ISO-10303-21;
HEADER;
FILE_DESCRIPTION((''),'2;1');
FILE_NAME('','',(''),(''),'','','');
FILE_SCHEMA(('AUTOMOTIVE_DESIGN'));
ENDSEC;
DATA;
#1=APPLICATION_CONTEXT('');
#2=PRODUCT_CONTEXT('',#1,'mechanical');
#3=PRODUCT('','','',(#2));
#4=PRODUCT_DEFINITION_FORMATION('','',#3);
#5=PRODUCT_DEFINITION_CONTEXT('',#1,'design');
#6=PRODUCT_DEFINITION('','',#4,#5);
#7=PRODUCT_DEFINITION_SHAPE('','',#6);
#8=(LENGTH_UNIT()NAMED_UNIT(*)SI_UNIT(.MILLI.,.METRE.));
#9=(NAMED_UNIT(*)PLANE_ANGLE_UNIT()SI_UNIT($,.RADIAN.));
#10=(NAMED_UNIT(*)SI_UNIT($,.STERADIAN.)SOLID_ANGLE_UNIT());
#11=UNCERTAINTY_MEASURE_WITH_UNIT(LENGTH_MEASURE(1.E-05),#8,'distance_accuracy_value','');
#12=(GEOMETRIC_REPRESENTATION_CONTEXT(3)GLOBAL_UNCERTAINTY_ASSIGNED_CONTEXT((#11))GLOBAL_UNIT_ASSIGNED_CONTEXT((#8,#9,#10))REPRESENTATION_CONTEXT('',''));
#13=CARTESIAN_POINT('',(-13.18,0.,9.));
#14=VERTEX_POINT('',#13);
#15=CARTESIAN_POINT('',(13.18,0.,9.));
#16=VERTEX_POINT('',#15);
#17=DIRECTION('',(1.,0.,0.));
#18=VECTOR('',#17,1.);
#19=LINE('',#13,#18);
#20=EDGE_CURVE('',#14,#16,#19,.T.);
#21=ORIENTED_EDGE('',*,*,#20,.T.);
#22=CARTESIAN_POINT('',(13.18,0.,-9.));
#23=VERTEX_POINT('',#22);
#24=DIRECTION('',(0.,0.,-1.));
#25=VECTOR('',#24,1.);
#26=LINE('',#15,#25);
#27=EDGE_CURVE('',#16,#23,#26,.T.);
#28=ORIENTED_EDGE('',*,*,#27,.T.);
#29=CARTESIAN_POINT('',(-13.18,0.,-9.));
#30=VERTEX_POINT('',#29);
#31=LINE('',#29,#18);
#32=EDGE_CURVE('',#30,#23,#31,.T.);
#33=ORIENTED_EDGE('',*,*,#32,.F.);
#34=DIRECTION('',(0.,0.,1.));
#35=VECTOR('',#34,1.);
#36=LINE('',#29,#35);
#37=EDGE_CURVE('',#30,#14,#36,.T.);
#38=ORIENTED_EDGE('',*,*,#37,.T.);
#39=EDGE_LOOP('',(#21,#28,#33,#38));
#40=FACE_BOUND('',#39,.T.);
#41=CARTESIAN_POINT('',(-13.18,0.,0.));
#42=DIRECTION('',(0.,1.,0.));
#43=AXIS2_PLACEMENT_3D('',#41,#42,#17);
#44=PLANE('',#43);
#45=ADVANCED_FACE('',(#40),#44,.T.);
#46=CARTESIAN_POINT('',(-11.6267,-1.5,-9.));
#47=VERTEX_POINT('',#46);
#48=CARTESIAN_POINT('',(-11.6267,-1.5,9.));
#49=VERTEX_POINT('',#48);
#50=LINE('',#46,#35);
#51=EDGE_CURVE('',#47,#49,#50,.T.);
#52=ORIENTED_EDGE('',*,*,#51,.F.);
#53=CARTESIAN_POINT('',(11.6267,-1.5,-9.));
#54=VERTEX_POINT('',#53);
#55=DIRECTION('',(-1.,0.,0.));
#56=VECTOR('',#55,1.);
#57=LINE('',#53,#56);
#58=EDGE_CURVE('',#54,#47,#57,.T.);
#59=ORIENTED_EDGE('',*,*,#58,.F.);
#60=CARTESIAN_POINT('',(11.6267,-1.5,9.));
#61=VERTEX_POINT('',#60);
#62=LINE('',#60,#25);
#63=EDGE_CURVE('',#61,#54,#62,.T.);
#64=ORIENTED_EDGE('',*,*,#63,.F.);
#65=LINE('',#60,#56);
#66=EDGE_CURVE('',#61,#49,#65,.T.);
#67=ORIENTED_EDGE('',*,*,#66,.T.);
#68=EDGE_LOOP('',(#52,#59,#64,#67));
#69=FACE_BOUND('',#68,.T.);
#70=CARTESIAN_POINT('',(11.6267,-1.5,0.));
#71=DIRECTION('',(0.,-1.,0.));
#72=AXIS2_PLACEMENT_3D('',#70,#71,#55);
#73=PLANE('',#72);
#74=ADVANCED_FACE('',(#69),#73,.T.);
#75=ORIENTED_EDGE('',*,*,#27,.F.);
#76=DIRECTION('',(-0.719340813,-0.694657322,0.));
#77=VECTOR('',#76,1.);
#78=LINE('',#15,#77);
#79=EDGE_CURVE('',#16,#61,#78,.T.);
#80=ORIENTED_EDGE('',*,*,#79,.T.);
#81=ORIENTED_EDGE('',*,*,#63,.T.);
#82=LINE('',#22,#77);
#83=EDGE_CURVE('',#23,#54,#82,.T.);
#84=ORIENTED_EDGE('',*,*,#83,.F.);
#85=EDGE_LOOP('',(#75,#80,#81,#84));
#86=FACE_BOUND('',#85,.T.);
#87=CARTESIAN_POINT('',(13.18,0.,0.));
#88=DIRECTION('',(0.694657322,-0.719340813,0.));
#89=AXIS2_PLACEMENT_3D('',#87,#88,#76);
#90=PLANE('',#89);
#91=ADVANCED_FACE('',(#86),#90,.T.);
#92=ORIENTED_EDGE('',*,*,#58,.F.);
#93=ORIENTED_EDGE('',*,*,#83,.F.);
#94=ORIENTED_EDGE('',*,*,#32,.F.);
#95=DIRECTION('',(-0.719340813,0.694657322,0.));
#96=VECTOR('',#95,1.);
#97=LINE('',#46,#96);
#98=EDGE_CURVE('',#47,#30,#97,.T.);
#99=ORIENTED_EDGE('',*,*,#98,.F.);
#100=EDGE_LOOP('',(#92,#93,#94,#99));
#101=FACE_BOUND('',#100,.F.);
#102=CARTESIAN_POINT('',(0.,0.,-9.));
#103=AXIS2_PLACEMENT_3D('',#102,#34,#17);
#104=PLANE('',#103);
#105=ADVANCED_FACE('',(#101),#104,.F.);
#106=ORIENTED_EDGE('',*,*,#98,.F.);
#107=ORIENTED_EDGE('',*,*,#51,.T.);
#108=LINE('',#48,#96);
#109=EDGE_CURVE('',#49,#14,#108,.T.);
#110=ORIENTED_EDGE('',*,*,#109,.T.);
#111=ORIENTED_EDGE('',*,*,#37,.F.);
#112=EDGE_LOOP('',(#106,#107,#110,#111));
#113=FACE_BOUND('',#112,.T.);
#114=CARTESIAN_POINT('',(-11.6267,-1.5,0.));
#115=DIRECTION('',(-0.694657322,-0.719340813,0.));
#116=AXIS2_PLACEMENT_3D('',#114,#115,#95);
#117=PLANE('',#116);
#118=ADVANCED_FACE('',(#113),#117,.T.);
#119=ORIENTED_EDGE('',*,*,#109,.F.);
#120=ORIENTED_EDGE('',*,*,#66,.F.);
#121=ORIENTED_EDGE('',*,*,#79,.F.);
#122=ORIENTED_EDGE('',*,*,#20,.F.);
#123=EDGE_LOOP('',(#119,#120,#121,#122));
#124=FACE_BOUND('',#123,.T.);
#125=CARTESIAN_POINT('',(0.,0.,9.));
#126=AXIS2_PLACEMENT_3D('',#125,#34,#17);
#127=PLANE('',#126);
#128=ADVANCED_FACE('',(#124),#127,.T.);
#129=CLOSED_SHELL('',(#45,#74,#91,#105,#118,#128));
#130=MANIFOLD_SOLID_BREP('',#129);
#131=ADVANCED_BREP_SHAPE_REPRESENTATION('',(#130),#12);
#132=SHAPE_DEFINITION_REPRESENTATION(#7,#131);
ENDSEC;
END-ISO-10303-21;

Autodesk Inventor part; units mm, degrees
ref_plane "YZ Plane" through (0, 0, 0) normal (1, 0, 0) x (0, 1, 0)
ref_plane "XZ Plane" through (0, 0, 0) normal (0, 1, 0) x (-1, 0, 0)
ref_plane "XY Plane" through (0, 0, 0) normal (0, 0, 1) x (1, 0, 0)
sketch "Sketch2" plane through (0, 0, 0) normal (0, 0, 1) x (1, 0, 0)
  line L0 (-13.18, 0) -> (13.18, 0)
  line L1 (13.18, 0) -> (11.6267, -1.5)
  line L2 (11.6267, -1.5) -> (-11.6267, -1.5)
  line L3 (-11.6267, -1.5) -> (-13.18, 0)
  line L4 (-8.8153, 7.7377) -> (-16.0231, 7.7377) construction
  line L5 (13.18, 0) -> (19.7494, 0) construction
  point P0 (0, 0)
  point P1 (0, 0)
  dimension "d0" = 26.36
  dimension "d1" = 136
  dimension "d2" = 136
  dimension "d3" = 1.5
extrude "Extrusion1" add sketch "Sketch2" along normal mid plane 18
equation "\"d2\" = d1"
properties part number "flange7-42mm" material "Rubber, Silicone"
